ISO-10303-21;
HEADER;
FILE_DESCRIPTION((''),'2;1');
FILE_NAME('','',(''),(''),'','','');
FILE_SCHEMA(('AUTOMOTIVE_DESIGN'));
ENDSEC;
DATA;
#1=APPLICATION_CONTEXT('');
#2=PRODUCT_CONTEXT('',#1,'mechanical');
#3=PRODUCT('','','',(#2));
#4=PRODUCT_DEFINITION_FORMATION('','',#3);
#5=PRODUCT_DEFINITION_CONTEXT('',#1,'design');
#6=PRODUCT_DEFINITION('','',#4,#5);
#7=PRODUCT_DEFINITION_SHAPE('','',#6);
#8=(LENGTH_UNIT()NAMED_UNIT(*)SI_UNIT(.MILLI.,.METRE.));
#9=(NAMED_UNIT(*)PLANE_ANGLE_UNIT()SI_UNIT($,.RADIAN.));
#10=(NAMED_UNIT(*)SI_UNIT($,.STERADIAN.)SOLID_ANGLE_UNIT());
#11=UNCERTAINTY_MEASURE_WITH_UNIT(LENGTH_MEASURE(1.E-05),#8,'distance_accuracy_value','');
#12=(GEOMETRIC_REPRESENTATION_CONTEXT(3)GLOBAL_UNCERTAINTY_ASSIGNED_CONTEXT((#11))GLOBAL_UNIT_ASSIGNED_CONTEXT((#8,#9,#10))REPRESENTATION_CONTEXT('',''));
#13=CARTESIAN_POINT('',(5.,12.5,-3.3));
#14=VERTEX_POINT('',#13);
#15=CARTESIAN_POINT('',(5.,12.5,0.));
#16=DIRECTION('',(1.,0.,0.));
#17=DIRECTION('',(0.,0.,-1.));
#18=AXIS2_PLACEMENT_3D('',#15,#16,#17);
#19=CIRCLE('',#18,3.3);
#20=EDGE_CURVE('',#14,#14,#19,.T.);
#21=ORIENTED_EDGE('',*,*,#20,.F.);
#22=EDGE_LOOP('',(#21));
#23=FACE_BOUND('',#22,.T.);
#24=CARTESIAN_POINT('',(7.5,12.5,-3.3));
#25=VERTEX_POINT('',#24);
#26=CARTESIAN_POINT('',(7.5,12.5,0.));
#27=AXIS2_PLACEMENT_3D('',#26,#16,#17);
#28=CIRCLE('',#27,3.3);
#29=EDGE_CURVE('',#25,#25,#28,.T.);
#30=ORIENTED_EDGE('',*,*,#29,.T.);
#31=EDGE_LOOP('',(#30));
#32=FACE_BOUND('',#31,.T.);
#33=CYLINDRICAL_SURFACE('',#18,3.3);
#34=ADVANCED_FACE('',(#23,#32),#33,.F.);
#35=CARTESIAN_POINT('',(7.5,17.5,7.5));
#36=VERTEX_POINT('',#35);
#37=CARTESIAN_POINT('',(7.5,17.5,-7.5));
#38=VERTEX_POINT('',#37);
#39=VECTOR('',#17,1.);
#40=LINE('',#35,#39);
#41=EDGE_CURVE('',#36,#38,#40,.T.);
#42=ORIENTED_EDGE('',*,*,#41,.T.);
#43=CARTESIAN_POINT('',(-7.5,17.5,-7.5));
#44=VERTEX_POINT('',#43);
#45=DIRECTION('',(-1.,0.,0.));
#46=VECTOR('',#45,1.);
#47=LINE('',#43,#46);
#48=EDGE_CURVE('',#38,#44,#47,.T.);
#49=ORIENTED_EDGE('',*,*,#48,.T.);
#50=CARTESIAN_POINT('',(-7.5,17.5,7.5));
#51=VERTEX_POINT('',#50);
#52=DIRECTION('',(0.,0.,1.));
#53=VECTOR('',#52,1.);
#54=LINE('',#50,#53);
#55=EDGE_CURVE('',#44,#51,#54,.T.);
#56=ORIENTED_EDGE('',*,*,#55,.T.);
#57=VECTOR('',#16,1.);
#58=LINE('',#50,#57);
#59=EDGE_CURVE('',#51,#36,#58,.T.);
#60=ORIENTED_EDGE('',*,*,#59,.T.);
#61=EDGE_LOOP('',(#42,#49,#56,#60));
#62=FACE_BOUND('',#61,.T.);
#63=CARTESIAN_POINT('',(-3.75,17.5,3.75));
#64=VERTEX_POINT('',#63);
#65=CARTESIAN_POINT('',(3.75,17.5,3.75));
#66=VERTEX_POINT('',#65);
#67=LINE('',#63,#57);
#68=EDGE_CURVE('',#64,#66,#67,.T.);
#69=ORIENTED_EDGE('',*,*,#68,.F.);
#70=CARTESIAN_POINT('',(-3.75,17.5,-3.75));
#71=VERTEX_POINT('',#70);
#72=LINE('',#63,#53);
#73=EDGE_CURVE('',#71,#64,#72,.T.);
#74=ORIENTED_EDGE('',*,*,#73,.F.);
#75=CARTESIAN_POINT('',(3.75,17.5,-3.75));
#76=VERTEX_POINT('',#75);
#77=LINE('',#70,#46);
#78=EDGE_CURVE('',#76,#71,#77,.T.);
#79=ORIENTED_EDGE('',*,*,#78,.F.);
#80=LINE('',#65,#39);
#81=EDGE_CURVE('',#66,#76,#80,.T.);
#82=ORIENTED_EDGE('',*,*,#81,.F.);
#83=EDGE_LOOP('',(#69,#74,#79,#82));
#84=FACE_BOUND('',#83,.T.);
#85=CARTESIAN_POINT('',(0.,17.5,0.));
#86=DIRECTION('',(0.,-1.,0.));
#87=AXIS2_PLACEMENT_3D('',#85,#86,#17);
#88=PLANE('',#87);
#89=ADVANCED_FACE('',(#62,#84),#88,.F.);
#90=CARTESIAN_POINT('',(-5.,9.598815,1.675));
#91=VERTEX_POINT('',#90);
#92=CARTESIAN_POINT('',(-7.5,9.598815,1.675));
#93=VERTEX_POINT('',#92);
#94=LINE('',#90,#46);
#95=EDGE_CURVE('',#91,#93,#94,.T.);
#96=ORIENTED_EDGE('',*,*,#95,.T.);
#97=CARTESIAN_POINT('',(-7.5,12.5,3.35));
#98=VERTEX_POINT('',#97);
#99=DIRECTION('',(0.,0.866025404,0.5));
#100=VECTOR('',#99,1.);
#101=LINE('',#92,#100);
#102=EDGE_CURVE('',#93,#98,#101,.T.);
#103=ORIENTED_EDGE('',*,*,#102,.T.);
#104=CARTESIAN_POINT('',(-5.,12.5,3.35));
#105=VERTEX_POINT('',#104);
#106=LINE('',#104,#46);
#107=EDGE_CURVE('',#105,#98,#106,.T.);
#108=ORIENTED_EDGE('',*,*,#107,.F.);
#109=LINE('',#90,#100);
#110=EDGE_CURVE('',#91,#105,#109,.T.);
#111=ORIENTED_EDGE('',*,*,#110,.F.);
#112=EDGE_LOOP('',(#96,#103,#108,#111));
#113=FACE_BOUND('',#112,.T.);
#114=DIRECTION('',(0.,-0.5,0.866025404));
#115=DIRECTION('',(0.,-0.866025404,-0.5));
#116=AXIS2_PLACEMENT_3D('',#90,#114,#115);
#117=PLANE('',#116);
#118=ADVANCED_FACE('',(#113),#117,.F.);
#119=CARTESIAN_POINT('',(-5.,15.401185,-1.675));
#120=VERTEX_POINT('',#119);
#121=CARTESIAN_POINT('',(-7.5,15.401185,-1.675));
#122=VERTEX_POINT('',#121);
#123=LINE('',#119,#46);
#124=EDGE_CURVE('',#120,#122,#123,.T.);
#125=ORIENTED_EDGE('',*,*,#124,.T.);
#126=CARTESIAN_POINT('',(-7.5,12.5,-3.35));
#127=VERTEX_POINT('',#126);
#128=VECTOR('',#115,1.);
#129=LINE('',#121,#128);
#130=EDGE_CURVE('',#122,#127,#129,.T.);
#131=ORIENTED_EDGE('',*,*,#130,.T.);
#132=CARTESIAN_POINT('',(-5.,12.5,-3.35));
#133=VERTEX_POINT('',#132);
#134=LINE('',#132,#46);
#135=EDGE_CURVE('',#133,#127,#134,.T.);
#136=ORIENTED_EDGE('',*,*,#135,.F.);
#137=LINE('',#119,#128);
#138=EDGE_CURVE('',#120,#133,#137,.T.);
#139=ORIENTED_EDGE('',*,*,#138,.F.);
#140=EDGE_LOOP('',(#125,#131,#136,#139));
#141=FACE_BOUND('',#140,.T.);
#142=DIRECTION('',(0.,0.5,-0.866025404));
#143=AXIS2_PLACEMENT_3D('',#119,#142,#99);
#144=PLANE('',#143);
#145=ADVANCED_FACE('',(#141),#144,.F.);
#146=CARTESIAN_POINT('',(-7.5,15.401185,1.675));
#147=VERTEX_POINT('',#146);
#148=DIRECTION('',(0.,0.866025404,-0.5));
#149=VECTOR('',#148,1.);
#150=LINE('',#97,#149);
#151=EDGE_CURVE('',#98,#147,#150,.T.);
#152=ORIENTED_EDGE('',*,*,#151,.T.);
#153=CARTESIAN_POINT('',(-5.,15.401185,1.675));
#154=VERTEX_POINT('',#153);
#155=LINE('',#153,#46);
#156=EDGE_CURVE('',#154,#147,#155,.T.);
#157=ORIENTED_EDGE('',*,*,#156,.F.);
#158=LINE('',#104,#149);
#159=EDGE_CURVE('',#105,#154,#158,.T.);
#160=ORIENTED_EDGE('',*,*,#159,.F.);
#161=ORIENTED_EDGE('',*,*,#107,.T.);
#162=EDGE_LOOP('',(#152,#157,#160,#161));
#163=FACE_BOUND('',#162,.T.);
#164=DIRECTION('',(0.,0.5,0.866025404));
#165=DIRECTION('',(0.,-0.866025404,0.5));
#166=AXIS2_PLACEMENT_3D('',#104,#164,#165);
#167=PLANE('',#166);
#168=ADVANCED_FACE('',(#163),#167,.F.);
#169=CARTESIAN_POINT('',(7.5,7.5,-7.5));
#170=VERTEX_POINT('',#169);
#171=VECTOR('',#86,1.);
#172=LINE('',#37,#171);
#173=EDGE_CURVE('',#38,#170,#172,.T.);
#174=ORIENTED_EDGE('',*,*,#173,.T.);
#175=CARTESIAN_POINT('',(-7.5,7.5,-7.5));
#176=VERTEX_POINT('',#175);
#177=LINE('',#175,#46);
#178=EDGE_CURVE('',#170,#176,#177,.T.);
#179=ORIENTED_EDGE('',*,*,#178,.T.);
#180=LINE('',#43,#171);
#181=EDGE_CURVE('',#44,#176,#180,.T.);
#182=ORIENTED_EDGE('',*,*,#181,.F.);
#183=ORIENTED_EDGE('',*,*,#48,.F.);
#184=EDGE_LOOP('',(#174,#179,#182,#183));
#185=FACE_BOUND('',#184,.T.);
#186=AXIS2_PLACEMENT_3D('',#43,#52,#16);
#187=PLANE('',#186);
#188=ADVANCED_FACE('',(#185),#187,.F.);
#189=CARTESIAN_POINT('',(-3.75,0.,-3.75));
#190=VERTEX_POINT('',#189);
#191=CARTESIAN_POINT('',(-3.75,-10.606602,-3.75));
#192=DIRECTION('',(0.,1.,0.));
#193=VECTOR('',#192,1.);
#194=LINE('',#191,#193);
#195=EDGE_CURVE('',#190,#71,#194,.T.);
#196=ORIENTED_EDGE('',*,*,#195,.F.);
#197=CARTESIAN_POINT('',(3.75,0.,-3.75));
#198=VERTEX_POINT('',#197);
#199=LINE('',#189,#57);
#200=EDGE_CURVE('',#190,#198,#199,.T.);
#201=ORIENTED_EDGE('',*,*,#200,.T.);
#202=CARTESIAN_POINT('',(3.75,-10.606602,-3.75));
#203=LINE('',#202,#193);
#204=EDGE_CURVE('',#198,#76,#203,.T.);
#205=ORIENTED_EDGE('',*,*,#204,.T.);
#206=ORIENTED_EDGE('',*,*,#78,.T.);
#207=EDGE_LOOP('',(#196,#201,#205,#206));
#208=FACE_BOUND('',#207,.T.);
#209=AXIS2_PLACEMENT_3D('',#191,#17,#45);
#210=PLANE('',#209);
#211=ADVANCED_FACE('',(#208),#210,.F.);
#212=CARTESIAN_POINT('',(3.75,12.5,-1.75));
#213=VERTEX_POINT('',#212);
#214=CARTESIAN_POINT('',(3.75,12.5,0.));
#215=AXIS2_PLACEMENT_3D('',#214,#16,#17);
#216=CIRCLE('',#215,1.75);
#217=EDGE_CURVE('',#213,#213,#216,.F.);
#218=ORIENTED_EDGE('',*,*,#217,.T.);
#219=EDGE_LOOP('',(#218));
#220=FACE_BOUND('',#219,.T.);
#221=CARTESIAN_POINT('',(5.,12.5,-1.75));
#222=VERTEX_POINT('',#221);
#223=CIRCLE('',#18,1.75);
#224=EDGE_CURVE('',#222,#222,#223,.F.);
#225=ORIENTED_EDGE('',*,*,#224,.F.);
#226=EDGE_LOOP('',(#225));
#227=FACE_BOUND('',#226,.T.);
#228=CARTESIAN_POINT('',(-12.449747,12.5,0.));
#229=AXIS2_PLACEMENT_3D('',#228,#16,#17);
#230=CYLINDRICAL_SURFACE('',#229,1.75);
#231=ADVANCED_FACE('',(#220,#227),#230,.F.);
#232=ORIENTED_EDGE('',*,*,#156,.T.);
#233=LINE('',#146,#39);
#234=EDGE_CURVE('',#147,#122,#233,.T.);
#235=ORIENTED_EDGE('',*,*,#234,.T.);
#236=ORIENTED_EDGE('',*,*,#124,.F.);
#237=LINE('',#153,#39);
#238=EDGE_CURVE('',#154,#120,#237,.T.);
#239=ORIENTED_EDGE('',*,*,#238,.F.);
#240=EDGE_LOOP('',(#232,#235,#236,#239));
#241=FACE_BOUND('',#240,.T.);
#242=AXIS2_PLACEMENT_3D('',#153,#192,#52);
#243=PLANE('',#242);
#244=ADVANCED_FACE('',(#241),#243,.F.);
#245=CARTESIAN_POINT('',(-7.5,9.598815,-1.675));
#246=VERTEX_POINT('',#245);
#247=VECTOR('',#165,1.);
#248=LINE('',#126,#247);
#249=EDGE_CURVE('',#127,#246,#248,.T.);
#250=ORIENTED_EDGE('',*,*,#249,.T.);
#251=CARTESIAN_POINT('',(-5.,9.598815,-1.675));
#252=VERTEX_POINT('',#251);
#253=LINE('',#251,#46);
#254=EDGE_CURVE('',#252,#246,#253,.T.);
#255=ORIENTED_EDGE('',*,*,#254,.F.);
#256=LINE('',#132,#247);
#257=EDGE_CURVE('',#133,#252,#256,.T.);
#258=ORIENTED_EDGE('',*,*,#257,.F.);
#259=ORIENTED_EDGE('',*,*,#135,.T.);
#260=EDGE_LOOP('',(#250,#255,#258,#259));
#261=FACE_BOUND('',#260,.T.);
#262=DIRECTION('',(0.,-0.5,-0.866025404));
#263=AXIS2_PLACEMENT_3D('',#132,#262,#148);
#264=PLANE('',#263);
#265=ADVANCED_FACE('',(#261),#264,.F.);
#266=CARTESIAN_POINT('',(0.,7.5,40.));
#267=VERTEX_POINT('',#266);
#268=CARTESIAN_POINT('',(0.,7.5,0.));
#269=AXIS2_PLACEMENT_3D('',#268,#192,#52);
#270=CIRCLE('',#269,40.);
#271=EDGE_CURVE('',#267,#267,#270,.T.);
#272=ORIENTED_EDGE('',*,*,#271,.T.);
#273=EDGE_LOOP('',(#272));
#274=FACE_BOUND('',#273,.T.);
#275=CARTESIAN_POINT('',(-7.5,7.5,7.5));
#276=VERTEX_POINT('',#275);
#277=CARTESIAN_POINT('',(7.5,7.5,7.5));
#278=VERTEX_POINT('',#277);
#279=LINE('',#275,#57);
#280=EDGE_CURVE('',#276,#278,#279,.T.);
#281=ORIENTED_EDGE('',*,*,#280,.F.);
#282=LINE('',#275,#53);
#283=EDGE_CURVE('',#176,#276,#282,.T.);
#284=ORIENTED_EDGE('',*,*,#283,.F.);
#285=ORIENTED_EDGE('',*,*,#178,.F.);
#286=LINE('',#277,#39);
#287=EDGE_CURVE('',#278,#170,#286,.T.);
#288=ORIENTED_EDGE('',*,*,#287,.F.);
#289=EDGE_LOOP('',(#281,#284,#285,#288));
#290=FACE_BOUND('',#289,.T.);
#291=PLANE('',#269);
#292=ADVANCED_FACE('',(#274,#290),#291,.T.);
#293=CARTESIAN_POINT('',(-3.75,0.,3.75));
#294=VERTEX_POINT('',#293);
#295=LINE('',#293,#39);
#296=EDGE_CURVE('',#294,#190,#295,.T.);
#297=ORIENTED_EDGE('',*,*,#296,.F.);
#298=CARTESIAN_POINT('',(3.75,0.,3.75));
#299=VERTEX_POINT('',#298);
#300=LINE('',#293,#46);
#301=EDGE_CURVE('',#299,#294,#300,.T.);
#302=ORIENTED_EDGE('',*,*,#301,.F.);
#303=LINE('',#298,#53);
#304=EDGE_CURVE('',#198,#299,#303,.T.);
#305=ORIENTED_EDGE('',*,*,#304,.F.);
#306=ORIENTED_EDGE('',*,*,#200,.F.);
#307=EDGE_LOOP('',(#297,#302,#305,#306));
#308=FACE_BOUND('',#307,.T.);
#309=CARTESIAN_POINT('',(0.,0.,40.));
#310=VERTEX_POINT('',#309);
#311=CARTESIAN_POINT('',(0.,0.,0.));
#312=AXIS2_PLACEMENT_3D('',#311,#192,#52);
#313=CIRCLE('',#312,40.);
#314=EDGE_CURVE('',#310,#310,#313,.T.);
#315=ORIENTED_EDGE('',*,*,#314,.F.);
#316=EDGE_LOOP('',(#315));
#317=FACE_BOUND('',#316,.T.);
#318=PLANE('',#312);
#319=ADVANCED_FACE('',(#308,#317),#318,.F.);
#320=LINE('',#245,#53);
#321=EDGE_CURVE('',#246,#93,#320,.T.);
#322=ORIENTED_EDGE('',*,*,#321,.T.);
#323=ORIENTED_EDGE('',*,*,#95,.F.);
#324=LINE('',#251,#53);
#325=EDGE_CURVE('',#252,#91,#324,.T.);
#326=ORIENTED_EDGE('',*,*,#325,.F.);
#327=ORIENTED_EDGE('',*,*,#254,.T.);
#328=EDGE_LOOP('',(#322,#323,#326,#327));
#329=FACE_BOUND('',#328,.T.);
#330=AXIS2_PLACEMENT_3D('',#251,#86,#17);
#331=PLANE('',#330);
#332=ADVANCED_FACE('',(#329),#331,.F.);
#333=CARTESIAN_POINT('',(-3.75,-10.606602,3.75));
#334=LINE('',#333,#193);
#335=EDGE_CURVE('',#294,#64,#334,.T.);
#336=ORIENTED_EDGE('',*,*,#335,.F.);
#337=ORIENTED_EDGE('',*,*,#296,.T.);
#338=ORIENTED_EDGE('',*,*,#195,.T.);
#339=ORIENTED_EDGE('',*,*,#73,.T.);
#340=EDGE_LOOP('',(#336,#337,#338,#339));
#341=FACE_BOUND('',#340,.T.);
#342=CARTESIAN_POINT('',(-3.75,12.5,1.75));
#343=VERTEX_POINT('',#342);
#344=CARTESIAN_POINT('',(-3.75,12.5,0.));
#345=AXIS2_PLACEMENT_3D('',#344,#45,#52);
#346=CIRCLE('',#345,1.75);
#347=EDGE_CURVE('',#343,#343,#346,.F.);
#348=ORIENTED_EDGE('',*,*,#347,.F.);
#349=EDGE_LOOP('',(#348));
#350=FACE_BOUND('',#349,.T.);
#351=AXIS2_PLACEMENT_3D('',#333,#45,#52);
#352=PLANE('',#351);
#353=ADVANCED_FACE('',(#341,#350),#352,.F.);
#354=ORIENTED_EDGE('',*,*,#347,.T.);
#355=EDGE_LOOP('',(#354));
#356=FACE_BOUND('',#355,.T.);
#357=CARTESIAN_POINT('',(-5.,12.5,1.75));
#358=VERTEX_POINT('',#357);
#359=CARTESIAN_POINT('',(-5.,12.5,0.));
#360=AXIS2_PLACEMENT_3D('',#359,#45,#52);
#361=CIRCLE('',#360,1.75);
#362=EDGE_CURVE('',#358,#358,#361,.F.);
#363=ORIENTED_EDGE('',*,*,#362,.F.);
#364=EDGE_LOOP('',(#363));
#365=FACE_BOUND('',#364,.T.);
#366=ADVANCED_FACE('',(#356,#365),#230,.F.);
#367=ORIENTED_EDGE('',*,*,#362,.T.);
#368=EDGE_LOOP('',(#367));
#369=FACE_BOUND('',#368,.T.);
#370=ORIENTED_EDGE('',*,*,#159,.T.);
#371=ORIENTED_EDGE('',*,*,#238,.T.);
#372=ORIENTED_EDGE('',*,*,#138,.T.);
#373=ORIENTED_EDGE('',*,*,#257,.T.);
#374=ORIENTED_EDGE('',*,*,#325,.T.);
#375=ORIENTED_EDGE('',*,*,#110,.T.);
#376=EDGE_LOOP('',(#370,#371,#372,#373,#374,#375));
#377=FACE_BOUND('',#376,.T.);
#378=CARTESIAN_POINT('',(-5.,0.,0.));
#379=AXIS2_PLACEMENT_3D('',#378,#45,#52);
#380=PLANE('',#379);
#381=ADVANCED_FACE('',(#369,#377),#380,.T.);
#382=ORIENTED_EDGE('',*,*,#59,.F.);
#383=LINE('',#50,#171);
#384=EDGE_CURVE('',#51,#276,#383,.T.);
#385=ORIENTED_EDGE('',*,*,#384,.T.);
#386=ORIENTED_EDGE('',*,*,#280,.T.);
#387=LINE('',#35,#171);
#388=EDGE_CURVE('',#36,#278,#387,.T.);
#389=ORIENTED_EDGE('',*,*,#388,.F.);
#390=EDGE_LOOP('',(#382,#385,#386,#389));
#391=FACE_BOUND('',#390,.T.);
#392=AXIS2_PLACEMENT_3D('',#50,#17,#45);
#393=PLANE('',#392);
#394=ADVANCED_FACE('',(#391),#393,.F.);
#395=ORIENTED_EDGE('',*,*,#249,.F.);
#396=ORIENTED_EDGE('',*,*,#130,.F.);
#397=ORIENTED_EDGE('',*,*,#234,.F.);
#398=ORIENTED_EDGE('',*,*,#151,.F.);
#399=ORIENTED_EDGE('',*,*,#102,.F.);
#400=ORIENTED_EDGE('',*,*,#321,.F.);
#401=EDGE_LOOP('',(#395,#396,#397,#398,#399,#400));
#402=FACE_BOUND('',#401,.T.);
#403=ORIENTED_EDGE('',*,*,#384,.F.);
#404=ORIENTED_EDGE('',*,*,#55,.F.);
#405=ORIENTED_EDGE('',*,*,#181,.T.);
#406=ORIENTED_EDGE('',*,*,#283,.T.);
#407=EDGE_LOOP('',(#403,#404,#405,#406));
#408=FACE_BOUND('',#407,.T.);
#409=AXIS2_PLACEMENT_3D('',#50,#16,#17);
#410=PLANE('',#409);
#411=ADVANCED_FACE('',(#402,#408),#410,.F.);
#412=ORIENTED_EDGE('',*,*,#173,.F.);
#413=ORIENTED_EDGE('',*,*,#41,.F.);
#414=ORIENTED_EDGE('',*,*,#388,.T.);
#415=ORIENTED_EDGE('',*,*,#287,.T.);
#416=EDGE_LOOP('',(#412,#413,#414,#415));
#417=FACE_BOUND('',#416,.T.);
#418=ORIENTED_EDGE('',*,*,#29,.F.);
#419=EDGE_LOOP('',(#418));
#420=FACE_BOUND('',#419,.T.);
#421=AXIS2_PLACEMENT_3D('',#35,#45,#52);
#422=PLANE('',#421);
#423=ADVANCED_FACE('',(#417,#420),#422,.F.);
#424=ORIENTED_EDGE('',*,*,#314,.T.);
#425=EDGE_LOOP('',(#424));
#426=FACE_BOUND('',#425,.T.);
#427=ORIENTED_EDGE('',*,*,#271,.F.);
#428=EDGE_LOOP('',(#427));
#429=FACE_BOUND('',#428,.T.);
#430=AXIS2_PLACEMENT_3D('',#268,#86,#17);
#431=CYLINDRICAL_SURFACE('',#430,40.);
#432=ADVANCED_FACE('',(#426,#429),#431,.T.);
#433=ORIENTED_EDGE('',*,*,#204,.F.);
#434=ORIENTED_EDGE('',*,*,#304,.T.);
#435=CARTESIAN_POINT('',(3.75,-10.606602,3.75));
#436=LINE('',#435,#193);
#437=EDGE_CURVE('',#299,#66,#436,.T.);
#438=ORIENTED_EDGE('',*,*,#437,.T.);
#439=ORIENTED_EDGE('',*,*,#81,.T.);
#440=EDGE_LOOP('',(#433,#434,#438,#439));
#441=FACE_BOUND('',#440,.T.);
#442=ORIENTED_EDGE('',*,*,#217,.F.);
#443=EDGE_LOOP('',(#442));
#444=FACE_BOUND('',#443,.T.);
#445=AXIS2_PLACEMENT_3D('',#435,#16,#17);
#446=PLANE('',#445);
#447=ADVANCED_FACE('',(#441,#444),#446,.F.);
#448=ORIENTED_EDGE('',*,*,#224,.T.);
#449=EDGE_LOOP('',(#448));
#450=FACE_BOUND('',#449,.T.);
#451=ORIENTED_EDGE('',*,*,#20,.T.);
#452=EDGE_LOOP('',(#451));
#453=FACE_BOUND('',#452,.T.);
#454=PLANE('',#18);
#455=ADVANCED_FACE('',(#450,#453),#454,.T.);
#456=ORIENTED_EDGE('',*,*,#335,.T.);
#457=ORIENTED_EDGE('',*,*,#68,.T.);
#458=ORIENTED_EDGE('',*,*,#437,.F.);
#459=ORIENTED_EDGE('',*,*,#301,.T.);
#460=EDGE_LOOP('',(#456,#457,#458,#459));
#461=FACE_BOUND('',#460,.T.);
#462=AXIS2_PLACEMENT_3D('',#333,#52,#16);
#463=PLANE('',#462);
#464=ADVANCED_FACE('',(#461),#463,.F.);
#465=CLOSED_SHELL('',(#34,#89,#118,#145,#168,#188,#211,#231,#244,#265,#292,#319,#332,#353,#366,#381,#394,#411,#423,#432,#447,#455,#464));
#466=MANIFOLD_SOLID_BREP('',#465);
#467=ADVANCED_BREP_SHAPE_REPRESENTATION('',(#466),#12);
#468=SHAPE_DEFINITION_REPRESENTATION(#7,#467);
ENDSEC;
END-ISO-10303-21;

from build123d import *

# Parameters (mm, degrees)
SKETCH1_R           = 40
BOSS_EXTRUDE1_DEPTH = 7.5
SKETCH2_W           = 15
SKETCH2_H           = 15
BOSS_EXTRUDE2_DEPTH = 10
SKETCH3_R           = 1.75
CUT_EXTRUDE1_DEPTH  = 15
SKETCH4_R           = 3.3
CUT_EXTRUDE2_DEPTH  = 2.5
CUT_EXTRUDE3_DEPTH  = 2.5
SKETCH6_W           = 7.5
SKETCH6_H           = 7.5
CUT_EXTRUDE4_DEPTH  = 17.5


with BuildPart() as part:
    # Sketch1 → Boss-Extrude1 (new body)
    with BuildSketch(Plane(origin=(0, 0, 0), x_dir=(1, 0, 0), z_dir=(0, 1, 0))):
        with Locations(Location((0, 0, 0), (0, 0, 270))):
            Circle(SKETCH1_R)
    extrude(amount=BOSS_EXTRUDE1_DEPTH)

    # Sketch2 → Boss-Extrude2 (add)
    with BuildSketch(Plane(origin=(0, 7.5, 0), x_dir=(1, 0, 0), z_dir=(0, 1, 0))):
        Rectangle(SKETCH2_W, SKETCH2_H)
    extrude(amount=BOSS_EXTRUDE2_DEPTH)

    # Sketch3 → Cut-Extrude1 (cut)
    with BuildSketch(Plane(origin=(7.5, 0, 0), x_dir=(0, 0, -1), z_dir=(1, 0, 0))):
        with Locations((0, 12.5)):
            Circle(SKETCH3_R)
    extrude(amount=-CUT_EXTRUDE1_DEPTH, mode=Mode.SUBTRACT)

    # Sketch4 → Cut-Extrude2 (cut)
    with BuildSketch(Plane(origin=(7.5, 0, 0), x_dir=(0, 0, -1), z_dir=(1, 0, 0))):
        with Locations((0, 12.5)):
            Circle(SKETCH4_R)
    extrude(amount=-CUT_EXTRUDE2_DEPTH, mode=Mode.SUBTRACT)

    # Sketch5 → Cut-Extrude3 (cut)
    with BuildSketch(Plane.ZY.offset(7.5)):
        Polygon((-3.35, 12.5), (-1.675, 9.598814897), (1.675, 9.598814897), (3.35, 12.5), (1.675, 15.401185103), (-1.675, 15.401185103), align=None)
    extrude(amount=-CUT_EXTRUDE3_DEPTH, mode=Mode.SUBTRACT)

    # Sketch6 → Cut-Extrude4 (cut)
    with BuildSketch(Plane(origin=(0, 17.5, 0), x_dir=(1, 0, 0), z_dir=(0, 1, 0))):
        Rectangle(SKETCH6_W, SKETCH6_H)
    extrude(amount=-CUT_EXTRUDE4_DEPTH, mode=Mode.SUBTRACT)


solid = part.part
